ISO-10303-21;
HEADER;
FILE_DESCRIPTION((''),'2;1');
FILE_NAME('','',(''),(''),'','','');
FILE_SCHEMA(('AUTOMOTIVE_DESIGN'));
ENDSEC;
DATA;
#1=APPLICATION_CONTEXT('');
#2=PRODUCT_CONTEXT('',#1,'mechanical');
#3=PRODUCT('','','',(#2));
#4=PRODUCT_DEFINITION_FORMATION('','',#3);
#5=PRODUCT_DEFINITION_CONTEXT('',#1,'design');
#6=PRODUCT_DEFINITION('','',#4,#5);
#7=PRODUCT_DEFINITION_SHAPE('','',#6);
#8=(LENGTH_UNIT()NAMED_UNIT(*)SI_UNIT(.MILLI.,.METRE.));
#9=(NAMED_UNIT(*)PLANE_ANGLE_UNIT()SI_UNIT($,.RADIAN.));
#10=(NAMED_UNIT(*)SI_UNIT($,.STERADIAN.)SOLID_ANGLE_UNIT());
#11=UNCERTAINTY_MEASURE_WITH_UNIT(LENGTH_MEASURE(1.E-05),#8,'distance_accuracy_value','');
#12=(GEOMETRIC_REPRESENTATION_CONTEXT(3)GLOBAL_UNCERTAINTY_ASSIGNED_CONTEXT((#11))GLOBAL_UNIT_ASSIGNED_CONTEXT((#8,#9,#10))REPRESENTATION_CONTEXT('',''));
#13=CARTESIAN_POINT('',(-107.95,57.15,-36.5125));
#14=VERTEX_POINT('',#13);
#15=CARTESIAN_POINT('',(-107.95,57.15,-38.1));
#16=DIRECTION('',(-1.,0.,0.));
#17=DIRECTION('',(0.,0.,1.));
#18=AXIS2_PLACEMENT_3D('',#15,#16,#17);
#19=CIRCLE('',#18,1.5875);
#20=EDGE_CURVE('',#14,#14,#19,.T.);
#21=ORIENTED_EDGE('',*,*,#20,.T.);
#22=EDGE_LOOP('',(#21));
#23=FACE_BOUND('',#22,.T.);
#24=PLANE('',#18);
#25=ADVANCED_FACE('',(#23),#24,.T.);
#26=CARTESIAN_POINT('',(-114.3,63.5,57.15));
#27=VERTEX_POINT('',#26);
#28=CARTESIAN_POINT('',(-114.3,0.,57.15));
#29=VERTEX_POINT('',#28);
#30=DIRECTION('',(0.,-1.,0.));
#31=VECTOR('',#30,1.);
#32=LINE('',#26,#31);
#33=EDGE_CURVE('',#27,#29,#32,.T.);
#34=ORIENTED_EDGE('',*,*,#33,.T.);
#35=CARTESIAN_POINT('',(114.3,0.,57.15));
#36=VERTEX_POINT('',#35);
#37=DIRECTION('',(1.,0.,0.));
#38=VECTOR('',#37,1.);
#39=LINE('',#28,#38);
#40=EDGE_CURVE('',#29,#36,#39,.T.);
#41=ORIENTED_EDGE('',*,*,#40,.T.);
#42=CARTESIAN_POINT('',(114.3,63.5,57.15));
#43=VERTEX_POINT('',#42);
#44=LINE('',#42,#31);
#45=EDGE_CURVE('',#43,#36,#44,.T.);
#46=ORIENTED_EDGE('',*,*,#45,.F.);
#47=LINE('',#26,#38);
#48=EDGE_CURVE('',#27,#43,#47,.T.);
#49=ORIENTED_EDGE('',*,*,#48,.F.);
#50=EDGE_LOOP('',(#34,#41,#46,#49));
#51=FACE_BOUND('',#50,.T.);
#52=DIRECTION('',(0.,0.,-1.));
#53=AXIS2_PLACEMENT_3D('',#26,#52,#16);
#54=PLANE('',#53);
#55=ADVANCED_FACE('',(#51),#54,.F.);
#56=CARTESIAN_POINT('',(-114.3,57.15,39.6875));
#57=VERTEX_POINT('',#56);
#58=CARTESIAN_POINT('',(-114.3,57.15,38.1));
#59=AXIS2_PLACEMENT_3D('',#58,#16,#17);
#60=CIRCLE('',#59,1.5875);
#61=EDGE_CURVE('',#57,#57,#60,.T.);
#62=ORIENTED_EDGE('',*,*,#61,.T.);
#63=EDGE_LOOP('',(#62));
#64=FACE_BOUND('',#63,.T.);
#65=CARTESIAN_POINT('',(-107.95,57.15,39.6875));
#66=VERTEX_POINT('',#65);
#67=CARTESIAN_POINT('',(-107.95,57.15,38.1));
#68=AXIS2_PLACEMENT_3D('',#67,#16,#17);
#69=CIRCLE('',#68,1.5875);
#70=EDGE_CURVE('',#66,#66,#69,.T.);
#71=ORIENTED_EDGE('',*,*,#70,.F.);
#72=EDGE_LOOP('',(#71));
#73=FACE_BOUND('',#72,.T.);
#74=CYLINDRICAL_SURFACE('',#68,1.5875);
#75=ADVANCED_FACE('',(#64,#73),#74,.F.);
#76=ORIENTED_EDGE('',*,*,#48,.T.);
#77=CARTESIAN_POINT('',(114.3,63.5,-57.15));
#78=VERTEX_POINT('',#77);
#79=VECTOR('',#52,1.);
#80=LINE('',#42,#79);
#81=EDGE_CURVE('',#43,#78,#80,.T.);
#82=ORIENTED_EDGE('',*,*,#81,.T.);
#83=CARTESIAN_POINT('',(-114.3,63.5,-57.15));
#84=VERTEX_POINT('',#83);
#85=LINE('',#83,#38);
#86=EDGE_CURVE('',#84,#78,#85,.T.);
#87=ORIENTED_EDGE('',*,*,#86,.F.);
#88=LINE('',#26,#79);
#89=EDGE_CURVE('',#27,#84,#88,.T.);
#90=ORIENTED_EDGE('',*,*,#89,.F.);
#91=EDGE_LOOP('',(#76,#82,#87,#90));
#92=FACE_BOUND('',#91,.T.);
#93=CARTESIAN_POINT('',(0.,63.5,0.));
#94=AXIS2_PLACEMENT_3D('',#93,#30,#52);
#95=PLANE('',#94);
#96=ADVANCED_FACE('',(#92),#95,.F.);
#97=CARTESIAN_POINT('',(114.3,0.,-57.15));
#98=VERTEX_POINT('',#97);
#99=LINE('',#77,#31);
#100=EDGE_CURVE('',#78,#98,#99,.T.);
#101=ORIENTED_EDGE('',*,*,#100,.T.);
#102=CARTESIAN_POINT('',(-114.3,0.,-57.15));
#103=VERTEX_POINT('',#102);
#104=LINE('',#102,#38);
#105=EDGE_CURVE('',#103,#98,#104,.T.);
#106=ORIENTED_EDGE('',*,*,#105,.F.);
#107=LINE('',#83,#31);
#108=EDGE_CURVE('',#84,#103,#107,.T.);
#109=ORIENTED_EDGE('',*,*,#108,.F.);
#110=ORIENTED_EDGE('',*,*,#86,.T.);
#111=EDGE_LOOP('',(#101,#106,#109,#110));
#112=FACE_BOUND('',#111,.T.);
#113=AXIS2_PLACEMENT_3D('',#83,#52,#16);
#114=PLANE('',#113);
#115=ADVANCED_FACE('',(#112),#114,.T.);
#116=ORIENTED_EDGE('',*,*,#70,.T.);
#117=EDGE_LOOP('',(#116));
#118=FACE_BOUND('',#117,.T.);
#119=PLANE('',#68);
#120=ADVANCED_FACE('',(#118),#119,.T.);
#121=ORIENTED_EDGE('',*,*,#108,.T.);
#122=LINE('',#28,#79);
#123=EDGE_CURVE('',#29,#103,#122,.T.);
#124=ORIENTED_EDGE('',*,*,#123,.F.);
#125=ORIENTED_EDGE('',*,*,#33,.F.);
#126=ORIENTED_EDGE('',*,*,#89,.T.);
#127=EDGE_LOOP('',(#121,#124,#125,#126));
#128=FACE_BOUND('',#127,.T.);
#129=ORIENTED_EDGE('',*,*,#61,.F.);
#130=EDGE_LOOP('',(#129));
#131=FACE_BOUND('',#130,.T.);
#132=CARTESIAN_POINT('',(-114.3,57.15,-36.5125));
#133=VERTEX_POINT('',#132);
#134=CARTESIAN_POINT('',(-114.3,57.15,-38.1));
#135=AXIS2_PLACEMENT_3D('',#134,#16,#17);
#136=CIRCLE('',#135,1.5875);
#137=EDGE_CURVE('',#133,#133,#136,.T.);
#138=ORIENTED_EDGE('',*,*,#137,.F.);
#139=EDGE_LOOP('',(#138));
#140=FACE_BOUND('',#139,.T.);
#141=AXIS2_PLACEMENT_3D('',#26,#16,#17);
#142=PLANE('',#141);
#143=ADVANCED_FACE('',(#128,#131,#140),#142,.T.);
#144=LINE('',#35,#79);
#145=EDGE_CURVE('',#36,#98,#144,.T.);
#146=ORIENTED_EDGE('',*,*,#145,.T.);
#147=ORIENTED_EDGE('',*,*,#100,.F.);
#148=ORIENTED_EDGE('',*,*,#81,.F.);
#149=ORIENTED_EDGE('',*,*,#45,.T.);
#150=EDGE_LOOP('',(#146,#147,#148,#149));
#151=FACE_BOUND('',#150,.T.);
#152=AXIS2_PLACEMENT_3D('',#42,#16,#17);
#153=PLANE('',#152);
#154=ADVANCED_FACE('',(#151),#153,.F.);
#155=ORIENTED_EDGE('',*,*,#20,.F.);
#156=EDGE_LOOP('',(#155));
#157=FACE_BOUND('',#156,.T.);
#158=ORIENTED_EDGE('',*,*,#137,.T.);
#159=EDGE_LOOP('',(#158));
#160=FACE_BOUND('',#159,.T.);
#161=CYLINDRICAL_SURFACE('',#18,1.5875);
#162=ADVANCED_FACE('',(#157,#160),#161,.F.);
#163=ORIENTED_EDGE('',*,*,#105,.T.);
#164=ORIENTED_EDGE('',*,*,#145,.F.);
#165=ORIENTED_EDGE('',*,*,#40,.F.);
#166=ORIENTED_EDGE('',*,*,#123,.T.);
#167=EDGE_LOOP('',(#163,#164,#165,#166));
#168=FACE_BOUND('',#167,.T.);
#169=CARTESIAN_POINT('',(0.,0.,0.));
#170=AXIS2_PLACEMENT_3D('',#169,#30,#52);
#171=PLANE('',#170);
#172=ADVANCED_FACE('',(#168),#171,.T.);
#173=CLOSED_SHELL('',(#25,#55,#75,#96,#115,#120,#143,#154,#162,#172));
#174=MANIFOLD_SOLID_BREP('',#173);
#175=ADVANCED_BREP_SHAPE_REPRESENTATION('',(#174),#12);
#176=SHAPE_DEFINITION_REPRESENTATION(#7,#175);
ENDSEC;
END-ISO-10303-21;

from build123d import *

# Parameters (mm, degrees)
SKETCH1_W           = 228.6
SKETCH1_H           = 114.3
BOSS_EXTRUDE1_DEPTH = 63.5
SKETCH2_R           = 1.5875
CUT_EXTRUDE1_DEPTH  = 6.35


with BuildPart() as part:
    # Sketch1 → Boss-Extrude1 (new body)
    with BuildSketch(Plane(origin=(0, 0, 0), x_dir=(1, 0, 0), z_dir=(0, 1, 0))):
        Rectangle(SKETCH1_W, SKETCH1_H)
    extrude(amount=BOSS_EXTRUDE1_DEPTH)

    # Sketch2 → Cut-Extrude1 (cut)
    with BuildSketch(Plane.ZY.offset(114.3)):
        with Locations((-38.1, 57.15)):
            Circle(SKETCH2_R)
        with Locations((38.1, 57.15)):
            Circle(SKETCH2_R)
    extrude(amount=-CUT_EXTRUDE1_DEPTH, mode=Mode.SUBTRACT)


solid = part.part
